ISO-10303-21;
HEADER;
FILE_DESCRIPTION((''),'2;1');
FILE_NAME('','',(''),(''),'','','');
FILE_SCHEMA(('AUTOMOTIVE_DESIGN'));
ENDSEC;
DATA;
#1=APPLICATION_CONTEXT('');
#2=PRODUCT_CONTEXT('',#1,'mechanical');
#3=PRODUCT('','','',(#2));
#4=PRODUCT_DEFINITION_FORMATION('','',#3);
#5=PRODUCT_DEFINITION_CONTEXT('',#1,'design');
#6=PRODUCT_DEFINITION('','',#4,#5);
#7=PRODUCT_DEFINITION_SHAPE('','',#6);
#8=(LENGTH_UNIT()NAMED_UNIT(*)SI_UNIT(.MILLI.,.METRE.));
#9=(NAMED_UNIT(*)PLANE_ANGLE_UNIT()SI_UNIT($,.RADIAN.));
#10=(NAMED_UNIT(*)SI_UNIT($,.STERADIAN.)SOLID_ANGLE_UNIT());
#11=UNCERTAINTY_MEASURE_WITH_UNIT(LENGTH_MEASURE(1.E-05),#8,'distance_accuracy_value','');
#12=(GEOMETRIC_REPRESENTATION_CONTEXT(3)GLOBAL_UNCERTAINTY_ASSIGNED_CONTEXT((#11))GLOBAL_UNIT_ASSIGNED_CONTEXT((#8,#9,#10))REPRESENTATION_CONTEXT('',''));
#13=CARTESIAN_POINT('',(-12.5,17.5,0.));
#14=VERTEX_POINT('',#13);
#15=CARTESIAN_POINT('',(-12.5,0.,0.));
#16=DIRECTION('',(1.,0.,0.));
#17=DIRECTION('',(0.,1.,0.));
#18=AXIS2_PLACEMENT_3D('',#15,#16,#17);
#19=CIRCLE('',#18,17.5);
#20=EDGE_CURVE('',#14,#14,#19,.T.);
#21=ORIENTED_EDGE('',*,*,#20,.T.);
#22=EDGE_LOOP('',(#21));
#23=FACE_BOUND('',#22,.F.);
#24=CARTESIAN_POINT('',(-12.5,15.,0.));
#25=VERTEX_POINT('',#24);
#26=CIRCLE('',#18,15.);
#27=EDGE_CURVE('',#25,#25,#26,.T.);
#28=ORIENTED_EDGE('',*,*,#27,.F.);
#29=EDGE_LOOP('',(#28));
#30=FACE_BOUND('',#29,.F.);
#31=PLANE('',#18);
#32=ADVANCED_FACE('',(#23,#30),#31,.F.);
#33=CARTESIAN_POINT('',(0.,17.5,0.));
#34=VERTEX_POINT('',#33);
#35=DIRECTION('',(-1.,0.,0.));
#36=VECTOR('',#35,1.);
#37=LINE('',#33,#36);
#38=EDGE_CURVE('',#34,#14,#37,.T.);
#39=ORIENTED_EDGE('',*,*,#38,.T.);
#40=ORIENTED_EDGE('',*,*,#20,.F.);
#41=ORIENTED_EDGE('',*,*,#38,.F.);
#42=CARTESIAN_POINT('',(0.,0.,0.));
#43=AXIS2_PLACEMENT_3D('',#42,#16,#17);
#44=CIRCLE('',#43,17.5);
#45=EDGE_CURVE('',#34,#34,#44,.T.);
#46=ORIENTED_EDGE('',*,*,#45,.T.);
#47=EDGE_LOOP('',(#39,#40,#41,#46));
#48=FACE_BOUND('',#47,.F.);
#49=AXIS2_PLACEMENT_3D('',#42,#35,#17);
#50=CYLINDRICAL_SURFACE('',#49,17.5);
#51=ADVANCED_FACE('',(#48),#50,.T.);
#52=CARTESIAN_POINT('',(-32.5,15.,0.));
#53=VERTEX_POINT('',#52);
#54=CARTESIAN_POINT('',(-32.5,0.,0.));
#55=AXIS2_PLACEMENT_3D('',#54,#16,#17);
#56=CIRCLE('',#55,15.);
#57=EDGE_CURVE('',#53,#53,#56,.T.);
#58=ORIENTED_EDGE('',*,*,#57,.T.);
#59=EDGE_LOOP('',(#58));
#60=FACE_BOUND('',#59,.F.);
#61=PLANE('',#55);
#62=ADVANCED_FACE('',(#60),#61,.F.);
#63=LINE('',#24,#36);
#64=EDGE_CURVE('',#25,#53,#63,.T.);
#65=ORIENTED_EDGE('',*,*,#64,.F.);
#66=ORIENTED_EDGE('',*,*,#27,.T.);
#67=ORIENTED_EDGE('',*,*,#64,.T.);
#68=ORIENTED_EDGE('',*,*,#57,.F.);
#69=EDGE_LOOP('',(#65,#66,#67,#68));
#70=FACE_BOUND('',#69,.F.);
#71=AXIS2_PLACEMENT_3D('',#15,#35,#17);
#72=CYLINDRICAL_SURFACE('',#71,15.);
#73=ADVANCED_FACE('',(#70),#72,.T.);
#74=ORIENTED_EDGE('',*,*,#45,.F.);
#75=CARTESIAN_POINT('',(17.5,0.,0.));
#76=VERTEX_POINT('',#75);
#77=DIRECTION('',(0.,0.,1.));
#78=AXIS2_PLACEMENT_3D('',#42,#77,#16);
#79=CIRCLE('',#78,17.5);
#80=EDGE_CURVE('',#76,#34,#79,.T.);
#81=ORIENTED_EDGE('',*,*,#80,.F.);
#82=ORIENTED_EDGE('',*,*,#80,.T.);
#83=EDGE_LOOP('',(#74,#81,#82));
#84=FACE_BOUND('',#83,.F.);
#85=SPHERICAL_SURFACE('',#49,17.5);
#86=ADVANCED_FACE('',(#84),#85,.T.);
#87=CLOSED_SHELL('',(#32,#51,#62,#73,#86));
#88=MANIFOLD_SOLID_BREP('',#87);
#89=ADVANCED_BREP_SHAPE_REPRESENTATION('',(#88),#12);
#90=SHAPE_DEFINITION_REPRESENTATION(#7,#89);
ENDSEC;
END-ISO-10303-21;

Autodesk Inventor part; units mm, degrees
ref_plane "YZ Plane" through (0, 0, 0) normal (1, 0, 0) x (0, 1, 0)
ref_plane "XZ Plane" through (0, 0, 0) normal (0, 1, 0) x (-1, 0, 0)
ref_plane "XY Plane" through (0, 0, 0) normal (0, 0, 1) x (1, 0, 0)
sketch "草圖1" plane through (0, 0, 0) normal (0, 0, 1) x (1, 0, 0)
  line L0 (-32.5, 0) -> (-12.5, 0)
  line L1 (-12.5, 0) -> (-12.5, 15)
  line L2 (-12.5, 15) -> (-32.5, 15)
  line L3 (-32.5, 15) -> (-32.5, 0)
  line L4 (-12.5, 0) -> (17.5, 0)
  line L5 (0, 0) -> (0, 17.5)
  line L6 (0, 17.5) -> (-12.5, 17.5)
  line L7 (-12.5, 17.5) -> (-12.5, 0)
  arc A0 (17.5, 0) -> (0, 17.5) centre (0, 0) ccw
  dimension "d0" = 50
  dimension "d1" = 15
  dimension "d2" = 20
  dimension "d3" = 17.5
revolve "迴轉1" add sketch "草圖1" angle 360 about axis through (-12.5, 0, 0) along (1, 0, 0)
properties part number "P7"
